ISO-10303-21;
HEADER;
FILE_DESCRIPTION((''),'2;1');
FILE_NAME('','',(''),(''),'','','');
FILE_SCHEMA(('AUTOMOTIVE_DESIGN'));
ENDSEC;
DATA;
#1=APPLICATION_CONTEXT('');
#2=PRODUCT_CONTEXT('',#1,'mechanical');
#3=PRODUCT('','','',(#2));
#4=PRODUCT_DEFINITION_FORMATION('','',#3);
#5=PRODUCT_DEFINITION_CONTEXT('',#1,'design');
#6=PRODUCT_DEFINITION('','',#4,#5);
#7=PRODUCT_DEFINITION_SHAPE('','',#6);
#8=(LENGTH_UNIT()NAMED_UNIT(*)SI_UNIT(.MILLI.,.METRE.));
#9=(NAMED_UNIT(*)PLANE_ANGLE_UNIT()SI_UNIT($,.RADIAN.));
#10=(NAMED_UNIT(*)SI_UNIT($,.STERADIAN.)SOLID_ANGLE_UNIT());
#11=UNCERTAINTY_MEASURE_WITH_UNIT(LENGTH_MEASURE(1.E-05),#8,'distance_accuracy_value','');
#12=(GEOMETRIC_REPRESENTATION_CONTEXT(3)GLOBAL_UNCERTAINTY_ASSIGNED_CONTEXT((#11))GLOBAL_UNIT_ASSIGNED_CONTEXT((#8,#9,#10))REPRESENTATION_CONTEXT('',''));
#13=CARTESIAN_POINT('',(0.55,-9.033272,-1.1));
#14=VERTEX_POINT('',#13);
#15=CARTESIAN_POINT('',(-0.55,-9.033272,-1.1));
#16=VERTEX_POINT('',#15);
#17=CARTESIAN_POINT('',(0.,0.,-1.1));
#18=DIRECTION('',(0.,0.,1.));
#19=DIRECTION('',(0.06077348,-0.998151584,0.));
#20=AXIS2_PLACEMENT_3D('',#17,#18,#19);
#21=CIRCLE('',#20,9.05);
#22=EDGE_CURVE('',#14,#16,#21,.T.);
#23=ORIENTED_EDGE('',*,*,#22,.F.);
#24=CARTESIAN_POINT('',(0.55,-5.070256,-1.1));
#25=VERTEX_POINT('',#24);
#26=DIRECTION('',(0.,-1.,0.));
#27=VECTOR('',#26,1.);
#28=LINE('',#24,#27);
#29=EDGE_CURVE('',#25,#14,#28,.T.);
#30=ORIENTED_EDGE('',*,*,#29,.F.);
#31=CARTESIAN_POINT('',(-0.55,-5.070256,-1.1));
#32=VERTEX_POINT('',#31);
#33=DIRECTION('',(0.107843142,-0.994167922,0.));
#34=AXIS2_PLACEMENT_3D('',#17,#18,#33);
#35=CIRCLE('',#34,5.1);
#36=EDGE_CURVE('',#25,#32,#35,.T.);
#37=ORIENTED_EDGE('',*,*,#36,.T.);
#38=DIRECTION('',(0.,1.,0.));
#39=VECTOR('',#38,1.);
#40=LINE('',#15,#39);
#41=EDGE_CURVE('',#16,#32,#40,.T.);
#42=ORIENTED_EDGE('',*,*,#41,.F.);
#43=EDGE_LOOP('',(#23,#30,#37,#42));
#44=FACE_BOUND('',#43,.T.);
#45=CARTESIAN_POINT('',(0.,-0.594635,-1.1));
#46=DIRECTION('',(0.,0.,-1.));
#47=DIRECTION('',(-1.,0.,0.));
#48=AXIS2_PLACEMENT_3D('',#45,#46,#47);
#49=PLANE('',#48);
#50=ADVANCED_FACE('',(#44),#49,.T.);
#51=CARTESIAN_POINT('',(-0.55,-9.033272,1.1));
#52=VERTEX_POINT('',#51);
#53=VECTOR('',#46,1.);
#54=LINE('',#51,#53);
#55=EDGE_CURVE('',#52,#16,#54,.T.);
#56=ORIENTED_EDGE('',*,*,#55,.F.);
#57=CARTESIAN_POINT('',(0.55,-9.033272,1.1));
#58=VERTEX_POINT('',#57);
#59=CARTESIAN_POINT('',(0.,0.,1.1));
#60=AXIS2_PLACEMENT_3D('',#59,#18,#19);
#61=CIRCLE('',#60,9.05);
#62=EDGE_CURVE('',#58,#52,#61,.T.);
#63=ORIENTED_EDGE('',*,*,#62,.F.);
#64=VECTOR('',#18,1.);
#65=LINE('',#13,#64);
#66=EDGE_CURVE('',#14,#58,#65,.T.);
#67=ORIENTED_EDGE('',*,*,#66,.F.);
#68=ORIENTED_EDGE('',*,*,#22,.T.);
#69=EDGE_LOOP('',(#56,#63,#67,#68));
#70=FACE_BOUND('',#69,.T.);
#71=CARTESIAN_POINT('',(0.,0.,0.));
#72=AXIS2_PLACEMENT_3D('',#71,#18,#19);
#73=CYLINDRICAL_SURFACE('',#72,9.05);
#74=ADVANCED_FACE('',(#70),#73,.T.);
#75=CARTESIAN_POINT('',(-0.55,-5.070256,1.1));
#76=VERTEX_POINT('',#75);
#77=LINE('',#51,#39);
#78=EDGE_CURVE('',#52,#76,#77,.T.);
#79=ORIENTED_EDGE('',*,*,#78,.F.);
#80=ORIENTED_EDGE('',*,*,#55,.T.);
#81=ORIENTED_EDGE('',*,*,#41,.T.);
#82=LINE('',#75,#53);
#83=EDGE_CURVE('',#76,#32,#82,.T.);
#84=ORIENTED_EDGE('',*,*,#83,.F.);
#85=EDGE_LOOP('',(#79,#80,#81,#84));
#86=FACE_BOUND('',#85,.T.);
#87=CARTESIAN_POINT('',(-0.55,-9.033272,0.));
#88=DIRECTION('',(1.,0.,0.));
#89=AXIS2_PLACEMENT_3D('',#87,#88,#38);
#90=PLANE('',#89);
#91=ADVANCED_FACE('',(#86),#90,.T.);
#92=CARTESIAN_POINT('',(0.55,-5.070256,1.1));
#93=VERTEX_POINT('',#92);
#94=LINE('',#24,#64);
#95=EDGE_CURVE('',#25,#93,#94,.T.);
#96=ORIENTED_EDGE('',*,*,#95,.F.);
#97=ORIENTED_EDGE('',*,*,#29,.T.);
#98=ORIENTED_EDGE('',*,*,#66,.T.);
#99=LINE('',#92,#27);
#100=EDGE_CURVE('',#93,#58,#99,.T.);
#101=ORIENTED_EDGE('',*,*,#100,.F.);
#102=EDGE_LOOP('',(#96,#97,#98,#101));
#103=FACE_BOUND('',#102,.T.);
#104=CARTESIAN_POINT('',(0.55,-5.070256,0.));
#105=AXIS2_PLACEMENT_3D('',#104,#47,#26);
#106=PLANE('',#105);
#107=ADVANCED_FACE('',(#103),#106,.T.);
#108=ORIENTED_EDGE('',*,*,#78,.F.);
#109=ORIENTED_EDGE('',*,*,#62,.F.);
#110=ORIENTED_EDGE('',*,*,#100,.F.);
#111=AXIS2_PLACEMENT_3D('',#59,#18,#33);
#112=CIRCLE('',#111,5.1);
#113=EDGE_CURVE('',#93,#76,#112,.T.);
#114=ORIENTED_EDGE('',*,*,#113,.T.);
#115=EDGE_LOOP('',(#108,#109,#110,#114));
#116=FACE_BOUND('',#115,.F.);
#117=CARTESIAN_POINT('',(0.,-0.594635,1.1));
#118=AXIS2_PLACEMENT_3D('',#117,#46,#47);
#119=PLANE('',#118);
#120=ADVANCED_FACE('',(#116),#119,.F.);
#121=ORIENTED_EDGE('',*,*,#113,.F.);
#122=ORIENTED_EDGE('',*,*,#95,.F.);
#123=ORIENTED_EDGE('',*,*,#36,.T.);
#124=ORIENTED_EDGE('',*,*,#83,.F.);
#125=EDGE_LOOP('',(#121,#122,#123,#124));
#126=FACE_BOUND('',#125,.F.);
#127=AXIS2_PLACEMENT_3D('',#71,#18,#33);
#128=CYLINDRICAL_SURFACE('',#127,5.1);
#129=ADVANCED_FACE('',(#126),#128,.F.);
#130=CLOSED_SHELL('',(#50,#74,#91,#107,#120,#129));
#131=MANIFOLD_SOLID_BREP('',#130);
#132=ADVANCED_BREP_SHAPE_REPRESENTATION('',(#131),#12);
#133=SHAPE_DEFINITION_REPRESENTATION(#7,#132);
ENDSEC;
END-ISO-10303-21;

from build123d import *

# Parameters (mm, degrees)
PAD_DEPTH = 1.1


with BuildPart() as part:
    # Sketch → Pad (new body, symmetric)
    with BuildSketch(Plane.XY):
        with BuildLine():
            ThreePointArc((0.55, -5.070256), (0, 5.1), (-0.55, -5.070256))
            Line((-0.55, -9.033272), (-0.55, -5.070256))
            ThreePointArc((0.55, -9.033272), (0, 9.05), (-0.55, -9.033272))
            Line((0.55, -5.070256), (0.55, -9.033272))
        make_face()
    extrude(amount=PAD_DEPTH, both=True)


solid = part.part
